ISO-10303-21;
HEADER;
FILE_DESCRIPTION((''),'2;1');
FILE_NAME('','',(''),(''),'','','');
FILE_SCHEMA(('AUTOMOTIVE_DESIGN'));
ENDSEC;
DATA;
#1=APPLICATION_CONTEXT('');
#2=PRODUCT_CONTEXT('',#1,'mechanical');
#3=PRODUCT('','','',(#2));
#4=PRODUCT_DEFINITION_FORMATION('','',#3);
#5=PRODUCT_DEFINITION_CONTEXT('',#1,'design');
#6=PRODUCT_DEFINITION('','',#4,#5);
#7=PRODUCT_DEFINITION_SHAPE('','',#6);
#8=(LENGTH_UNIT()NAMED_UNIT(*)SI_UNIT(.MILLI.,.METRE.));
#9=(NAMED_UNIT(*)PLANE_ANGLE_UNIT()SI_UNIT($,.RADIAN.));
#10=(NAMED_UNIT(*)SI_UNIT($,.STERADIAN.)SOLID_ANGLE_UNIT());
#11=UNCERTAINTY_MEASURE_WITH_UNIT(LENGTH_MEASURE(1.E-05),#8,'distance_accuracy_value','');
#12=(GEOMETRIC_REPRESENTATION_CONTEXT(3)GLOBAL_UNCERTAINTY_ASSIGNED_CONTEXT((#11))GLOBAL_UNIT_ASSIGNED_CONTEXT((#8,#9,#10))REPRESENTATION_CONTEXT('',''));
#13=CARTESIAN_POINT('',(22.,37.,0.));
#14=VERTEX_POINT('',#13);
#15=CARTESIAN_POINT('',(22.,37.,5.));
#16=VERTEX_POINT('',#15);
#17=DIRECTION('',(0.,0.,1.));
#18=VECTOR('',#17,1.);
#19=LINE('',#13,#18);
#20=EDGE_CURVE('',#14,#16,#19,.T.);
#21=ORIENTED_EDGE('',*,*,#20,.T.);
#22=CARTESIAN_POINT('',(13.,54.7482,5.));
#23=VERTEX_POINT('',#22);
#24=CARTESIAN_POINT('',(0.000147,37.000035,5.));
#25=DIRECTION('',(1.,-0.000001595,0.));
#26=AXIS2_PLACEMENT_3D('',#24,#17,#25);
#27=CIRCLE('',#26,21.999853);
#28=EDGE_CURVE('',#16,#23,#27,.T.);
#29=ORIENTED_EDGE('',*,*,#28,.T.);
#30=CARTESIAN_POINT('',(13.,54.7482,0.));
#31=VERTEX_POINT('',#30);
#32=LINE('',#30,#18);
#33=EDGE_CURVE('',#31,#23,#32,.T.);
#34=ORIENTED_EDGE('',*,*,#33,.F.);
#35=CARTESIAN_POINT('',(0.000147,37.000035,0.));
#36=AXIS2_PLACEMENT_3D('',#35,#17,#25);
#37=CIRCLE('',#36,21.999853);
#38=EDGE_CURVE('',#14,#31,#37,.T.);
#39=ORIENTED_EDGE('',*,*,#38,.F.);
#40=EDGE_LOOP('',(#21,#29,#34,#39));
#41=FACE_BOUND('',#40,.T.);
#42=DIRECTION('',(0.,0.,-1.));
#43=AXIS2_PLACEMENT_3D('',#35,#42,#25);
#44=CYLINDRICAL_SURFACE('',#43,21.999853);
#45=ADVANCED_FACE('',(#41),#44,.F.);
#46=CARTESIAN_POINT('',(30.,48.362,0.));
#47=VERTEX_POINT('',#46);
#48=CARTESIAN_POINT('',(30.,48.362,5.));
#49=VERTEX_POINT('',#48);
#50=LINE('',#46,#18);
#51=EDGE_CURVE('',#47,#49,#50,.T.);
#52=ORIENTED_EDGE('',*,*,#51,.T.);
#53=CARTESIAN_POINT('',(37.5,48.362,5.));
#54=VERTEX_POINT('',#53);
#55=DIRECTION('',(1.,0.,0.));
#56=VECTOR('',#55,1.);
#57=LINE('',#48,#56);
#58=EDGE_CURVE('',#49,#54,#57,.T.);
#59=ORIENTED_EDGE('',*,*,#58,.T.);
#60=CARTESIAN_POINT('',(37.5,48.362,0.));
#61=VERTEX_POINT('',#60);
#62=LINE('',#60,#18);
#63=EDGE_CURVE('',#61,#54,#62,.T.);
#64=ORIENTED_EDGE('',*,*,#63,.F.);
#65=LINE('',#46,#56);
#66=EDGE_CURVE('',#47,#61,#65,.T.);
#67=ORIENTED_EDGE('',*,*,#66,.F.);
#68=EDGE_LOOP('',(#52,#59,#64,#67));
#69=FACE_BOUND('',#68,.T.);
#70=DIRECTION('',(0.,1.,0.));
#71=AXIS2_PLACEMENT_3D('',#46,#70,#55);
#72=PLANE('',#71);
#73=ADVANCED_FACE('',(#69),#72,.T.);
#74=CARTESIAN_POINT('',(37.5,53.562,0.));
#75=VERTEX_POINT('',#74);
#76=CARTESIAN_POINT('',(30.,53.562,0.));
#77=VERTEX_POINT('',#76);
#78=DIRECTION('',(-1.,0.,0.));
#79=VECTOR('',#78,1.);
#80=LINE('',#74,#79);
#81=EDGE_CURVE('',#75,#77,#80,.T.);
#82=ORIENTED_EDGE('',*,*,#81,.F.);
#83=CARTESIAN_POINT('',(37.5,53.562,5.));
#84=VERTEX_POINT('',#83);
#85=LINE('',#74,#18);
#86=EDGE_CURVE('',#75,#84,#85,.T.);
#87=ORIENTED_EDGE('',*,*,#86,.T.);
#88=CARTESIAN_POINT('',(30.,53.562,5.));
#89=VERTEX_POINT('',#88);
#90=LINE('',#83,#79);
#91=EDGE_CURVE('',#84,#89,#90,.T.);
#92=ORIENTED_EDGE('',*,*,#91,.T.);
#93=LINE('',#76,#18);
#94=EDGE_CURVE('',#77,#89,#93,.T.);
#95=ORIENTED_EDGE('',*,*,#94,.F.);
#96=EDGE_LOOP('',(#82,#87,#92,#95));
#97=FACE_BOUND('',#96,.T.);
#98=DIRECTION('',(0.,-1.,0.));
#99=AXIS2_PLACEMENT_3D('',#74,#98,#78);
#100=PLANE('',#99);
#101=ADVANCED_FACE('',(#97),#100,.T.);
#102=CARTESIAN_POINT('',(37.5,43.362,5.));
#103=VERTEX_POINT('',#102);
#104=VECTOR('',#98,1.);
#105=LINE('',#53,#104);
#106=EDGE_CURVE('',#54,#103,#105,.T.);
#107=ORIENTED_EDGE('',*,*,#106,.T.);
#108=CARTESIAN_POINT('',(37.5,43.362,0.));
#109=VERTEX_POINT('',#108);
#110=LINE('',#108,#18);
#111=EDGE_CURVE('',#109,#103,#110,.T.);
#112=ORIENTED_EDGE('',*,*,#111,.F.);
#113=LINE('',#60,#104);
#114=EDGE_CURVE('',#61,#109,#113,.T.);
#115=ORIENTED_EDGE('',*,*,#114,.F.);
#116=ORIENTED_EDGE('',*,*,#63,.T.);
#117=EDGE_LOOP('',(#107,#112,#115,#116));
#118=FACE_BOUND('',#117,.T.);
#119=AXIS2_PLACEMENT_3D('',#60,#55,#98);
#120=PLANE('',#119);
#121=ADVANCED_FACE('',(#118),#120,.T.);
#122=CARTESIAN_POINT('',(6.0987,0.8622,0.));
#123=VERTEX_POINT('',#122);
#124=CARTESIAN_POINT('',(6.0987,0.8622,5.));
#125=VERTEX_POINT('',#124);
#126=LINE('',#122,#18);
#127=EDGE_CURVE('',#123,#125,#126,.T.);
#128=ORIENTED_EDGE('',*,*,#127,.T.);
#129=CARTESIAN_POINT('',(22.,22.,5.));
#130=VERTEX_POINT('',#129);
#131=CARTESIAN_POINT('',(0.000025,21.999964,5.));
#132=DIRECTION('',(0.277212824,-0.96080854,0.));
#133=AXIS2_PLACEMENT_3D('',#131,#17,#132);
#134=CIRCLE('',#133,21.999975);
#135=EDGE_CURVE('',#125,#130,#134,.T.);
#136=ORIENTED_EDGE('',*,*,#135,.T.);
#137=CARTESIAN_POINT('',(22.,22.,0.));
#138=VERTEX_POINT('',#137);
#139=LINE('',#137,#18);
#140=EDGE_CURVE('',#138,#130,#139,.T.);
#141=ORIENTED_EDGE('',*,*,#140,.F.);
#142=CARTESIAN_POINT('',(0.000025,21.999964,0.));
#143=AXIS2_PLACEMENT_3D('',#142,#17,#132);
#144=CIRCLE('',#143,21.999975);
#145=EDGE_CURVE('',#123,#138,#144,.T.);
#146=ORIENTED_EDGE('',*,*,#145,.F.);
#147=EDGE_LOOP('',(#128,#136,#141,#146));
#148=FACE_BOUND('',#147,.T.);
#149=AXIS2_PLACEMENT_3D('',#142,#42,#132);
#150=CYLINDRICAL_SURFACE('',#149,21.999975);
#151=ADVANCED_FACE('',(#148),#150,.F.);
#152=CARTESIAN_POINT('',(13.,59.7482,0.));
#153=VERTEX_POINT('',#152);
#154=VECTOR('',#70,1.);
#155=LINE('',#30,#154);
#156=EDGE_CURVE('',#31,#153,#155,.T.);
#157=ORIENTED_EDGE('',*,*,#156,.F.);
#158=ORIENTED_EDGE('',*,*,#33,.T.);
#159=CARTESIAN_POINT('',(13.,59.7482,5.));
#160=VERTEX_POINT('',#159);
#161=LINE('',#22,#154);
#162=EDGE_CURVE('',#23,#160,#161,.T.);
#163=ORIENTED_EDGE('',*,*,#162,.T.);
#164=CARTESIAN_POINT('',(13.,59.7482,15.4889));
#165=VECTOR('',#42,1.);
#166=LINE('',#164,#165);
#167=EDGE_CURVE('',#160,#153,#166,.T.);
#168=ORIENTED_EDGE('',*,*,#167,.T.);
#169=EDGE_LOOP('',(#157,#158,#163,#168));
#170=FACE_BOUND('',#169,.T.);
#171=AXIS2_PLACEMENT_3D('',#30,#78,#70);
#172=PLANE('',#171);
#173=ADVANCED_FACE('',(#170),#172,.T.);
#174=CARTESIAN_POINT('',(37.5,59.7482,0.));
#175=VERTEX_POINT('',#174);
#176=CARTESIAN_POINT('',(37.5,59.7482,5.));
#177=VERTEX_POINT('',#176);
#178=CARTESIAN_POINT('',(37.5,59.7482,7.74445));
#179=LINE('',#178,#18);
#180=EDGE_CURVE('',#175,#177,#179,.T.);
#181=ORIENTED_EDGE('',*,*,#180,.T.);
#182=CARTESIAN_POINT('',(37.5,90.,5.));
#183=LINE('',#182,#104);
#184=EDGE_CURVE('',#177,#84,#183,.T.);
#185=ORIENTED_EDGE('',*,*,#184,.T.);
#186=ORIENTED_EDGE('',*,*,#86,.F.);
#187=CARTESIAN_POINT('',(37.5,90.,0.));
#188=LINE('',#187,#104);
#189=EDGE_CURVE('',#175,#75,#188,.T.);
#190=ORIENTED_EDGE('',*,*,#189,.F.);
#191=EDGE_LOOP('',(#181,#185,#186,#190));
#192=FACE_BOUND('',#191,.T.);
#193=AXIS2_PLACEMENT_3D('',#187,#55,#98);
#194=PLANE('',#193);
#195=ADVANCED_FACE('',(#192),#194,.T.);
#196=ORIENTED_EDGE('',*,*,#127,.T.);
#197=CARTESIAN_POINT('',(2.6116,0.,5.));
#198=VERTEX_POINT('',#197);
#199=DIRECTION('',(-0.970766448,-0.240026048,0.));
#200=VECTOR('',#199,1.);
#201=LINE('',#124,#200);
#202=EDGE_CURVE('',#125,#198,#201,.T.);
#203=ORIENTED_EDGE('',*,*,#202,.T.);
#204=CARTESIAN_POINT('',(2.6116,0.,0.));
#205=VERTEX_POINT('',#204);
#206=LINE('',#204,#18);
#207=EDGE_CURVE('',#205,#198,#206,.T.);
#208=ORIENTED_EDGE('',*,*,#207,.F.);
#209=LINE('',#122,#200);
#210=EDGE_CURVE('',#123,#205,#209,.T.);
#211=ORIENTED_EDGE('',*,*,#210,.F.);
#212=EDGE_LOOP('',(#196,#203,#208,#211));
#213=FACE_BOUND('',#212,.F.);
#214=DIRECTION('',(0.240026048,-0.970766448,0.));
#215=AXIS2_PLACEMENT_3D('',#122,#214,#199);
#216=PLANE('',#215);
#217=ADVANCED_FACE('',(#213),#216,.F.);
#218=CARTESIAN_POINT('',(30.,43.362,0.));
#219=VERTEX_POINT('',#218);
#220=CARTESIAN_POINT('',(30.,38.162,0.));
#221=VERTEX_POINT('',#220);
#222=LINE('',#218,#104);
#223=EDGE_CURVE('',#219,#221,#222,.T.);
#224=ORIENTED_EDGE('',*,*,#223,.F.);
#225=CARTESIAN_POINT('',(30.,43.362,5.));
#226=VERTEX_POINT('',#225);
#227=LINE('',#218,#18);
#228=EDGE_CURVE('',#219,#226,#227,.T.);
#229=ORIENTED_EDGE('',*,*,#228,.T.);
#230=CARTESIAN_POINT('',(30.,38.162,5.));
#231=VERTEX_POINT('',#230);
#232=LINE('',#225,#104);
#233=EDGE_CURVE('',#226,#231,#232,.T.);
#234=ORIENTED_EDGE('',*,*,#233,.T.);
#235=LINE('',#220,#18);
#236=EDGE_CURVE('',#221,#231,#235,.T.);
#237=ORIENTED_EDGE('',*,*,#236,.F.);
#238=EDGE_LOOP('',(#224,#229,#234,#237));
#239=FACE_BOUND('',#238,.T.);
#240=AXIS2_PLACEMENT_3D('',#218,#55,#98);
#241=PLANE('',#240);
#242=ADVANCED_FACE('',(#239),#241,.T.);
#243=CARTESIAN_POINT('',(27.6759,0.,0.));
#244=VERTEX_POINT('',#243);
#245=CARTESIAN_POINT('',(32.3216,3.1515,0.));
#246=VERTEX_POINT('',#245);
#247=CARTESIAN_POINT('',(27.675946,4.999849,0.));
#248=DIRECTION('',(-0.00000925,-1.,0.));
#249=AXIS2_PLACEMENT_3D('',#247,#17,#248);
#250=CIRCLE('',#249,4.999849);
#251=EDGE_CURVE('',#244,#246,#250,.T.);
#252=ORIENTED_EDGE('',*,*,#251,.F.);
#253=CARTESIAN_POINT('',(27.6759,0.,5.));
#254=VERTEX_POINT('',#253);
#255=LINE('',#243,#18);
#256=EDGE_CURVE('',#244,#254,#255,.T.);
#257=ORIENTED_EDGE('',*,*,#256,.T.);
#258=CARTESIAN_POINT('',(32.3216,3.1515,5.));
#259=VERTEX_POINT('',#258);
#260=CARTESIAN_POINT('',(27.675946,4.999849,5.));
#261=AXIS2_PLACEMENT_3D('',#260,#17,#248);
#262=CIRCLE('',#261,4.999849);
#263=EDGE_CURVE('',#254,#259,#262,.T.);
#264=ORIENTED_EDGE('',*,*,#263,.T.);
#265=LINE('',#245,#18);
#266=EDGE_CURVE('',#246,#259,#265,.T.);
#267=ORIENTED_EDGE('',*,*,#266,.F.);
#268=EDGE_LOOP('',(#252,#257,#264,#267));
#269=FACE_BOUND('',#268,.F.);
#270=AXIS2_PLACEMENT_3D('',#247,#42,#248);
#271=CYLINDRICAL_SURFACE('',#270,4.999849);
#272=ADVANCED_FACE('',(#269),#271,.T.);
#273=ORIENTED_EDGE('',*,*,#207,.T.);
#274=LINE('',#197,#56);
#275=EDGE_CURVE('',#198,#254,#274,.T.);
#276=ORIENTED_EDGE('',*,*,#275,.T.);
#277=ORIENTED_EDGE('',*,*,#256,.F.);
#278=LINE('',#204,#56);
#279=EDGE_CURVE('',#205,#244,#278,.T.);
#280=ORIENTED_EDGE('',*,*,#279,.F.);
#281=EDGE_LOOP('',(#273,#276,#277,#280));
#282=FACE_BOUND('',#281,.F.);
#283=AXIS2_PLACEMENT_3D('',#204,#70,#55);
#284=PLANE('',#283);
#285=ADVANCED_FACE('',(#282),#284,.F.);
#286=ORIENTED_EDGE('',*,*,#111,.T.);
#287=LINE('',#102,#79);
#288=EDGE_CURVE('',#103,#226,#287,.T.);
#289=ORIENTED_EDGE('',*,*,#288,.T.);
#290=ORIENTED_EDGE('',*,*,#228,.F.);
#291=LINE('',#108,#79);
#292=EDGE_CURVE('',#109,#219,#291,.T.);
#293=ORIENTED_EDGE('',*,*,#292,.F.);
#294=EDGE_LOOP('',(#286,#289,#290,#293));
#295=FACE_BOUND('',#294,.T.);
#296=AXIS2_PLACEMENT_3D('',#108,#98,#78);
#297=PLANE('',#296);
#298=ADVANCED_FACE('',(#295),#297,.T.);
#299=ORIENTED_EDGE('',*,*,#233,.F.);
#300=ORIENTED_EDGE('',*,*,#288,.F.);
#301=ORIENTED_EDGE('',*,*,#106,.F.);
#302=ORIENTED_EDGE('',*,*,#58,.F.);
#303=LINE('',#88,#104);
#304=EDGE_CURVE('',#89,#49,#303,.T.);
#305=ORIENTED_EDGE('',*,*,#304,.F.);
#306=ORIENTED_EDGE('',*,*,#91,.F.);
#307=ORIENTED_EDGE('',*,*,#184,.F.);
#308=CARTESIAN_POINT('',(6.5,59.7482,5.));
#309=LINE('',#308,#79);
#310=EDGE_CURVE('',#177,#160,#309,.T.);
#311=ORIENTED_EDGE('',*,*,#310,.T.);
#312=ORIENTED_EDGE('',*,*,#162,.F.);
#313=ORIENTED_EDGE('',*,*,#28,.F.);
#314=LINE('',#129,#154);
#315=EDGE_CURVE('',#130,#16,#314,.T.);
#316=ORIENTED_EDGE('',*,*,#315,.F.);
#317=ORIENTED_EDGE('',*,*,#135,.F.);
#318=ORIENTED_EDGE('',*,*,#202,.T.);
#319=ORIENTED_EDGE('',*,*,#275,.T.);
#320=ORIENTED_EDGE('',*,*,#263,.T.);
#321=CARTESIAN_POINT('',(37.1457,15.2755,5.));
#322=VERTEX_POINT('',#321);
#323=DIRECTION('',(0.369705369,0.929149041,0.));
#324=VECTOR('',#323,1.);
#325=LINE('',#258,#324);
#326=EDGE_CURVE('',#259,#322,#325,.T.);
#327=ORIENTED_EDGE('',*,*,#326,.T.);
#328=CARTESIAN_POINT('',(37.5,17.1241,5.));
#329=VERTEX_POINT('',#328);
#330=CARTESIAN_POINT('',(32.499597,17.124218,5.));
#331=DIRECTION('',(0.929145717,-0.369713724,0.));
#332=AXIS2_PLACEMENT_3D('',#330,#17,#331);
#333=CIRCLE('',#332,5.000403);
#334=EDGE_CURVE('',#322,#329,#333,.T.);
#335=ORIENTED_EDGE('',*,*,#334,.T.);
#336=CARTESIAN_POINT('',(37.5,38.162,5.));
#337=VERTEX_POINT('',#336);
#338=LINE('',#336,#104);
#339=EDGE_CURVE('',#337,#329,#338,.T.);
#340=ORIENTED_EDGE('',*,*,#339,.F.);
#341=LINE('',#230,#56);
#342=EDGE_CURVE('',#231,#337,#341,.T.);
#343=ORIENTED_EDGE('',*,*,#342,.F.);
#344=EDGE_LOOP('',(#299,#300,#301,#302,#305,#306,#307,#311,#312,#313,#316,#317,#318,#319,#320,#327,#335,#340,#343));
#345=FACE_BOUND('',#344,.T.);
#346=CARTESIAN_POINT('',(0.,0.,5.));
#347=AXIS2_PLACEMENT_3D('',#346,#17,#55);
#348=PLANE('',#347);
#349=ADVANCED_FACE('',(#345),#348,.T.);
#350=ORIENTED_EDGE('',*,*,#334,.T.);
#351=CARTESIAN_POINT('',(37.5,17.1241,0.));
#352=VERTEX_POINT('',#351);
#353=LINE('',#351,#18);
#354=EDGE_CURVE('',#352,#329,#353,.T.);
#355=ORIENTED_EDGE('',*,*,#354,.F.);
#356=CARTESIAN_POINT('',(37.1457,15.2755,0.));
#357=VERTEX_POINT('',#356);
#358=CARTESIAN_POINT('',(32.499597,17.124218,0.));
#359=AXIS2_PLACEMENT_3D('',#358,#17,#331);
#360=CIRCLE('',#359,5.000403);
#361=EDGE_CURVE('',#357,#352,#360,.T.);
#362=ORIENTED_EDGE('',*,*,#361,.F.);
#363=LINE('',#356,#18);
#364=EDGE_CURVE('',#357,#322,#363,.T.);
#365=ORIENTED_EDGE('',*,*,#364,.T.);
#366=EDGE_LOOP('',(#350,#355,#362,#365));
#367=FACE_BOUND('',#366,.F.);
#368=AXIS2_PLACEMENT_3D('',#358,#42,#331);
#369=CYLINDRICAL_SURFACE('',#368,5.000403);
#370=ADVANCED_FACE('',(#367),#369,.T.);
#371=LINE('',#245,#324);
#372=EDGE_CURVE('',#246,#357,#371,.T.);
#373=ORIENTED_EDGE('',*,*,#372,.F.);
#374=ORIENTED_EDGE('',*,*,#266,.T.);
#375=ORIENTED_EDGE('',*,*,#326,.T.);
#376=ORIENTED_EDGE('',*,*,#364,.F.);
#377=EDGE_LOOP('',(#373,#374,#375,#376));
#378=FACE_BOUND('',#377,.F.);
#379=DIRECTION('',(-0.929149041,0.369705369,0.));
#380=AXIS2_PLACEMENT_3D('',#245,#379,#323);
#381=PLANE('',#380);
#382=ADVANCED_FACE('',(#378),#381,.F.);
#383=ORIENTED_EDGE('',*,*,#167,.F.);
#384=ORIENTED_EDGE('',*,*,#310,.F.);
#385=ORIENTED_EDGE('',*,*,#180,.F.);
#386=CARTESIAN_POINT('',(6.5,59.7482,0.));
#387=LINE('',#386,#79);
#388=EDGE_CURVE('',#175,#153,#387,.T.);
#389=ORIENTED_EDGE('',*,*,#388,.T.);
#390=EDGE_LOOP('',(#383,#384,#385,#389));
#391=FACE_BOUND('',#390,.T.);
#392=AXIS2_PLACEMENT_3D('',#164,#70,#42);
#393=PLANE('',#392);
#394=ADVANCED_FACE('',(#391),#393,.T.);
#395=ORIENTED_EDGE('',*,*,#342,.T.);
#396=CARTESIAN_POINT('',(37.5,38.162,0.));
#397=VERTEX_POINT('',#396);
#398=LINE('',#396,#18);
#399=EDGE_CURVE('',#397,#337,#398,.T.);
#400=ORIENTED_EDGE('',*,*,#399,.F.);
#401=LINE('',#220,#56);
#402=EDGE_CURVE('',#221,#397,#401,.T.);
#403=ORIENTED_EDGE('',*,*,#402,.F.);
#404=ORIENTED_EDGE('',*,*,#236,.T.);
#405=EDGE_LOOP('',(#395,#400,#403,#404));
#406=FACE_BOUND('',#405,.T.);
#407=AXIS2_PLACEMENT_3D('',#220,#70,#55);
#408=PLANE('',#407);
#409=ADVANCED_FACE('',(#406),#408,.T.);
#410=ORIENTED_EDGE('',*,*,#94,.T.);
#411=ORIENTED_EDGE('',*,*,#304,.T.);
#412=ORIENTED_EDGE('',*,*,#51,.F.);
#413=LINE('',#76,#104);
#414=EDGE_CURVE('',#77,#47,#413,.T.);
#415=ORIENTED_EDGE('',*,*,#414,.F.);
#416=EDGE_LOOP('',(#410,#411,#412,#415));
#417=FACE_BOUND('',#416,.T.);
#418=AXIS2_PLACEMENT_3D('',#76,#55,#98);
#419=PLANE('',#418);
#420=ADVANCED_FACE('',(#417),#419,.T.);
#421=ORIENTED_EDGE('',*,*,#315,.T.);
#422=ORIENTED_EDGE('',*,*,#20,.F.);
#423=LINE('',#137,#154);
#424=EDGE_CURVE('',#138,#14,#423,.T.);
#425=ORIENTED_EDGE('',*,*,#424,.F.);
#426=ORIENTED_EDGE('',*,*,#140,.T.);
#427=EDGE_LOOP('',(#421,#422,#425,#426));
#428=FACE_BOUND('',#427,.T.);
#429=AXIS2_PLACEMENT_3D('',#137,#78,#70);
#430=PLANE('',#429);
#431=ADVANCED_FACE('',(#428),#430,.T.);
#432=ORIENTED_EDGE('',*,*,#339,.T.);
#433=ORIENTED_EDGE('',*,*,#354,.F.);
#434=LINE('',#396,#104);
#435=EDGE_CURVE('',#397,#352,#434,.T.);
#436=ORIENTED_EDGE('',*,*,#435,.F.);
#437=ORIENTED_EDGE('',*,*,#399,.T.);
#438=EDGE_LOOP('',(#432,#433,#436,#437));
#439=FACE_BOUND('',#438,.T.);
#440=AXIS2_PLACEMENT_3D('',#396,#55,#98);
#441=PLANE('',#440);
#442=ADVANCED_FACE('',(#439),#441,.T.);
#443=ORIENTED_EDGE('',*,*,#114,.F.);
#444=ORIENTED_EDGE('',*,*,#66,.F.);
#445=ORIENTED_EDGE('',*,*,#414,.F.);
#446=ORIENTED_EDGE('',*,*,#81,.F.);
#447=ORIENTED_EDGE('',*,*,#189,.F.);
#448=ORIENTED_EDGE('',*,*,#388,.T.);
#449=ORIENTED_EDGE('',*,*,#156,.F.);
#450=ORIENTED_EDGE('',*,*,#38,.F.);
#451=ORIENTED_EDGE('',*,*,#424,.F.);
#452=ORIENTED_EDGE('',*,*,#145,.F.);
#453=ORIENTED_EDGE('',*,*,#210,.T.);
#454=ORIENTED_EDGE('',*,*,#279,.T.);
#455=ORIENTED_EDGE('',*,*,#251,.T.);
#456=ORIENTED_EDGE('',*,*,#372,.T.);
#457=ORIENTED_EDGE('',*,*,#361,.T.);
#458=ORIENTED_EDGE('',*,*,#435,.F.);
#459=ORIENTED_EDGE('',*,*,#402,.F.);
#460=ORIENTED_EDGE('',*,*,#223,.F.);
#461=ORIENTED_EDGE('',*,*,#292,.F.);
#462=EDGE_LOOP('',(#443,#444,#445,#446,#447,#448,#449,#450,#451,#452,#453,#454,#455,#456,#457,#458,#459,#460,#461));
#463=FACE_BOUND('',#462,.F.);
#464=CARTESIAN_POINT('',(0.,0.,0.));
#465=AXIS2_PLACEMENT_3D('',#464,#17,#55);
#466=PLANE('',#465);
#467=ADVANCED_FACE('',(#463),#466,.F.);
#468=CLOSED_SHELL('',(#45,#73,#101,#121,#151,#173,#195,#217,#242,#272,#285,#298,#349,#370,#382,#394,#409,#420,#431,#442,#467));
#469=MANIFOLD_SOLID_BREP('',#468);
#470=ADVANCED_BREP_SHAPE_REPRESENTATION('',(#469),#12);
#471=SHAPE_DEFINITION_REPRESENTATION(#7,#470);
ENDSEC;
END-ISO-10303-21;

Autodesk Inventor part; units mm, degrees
ref_plane "YZ Plane" through (0, 0, 0) normal (1, 0, 0) x (0, 1, 0)
ref_plane "XZ Plane" through (0, 0, 0) normal (0, 1, 0) x (-1, 0, 0)
ref_plane "XY Plane" through (0, 0, 0) normal (0, 0, 1) x (1, 0, 0)
sketch "Sketch1" plane through (0, 0, 0) normal (0, 0, 1) x (1, 0, 0)
  arc A0 (6.0987, 0.8622) -> (22, 22) centre (0, 22) ccw
  line L0 (22, 22) -> (22, 37)
  arc A1 (22, 37) -> (13, 54.7482) centre (0, 37) ccw
  line L1 (13, 54.7482) -> (13, 66.7482)
  line L2 (22.5, 90) -> (22.5, 66.7482)
  line L3 (22.5, 90) -> (37.5, 90)
  line L4 (13, 66.7482) -> (22.5, 66.7482)
  line L5 (2.6116, 0) -> (27.6759, 0)
  line L6 (32.3216, 3.1515) -> (37.1457, 15.2755)
  arc A2 (37.1457, 15.2755) -> (37.5, 17.1241) centre (32.5, 17.1241) ccw
  arc A3 (27.6759, 0) -> (32.3216, 3.1515) centre (27.6759, 5) ccw
  line L7 (37.5, 53.562) -> (30, 53.562)
  line L8 (30, 53.562) -> (30, 48.362)
  line L9 (30, 48.362) -> (37.5, 48.362)
  line L10 (37.5, 43.362) -> (30, 43.362)
  line L11 (30, 43.362) -> (30, 38.162)
  line L12 (30, 38.162) -> (37.5, 38.162)
  line L13 (37.5, 90) -> (37.5, 53.562)
  line L14 (37.5, 48.362) -> (37.5, 43.362)
  line L15 (37.5, 38.162) -> (37.5, 17.1241)
  line L16 (6.0987, 0.8622) -> (2.6116, 0)
  point P0 (0, 0)
  dimension "d0" = 22
  dimension "d1" = 90
  dimension "d2" = 0
  dimension "d3" = 15
  dimension "d4" = 0
  dimension "d5" = 13
  dimension "d6" = 22
  dimension "d7" = 12
  dimension "d8" = 22.5
  dimension "d10" = 90
  dimension "d11" = 37
  dimension "d12" = 5
  dimension "d13" = 12.1241
  dimension "d14" = 5.2
  dimension "d15" = 5.2
  dimension "d16" = 5
sketch "Sketch2" plane through (0, 0, 0) normal (0, 0, 1) x (1, 0, 0)
  point P0 (0, 0)
extrude "Extrusion1" add sketch "Sketch1" along normal blind 5
sketch "Sketch3" plane through (0, 0, 5) normal (0, 0, 1) x (1, 0, 0)
  line L0 (22.5, 90) -> (22.5, 66.7482) projected
  line L1 (37.5, 90) -> (22.5, 90) projected
  point P0 (0, 0)
  point P1 (30, 86.5)
  point P2 (30, 68.5)
  dimension "d20" = 18
  dimension "d21" = 7.5
  dimension "d22" = 7.5
  dimension "d23" = 3.5
hole "Hole1" at (30, 86.5, 5) at (30, 68.5, 5) direction (0, 0, -1) diameter 3.4 end through all
sketch "Sketch4" plane through (22.5, 66.7482, 0) normal (-1, 0, 0) x (0, 0, 1)
  line L0 (-7.9102, 0) -> (13.3435, 0)
  line L1 (13.3435, 0) -> (13.3435, 24.2425)
  line L2 (13.3435, 24.2425) -> (-7.9102, 24.2425)
  line L3 (-7.9102, 24.2425) -> (-7.9102, 0)
  line L4 (0, 0) -> (5, 0) projected
  point P0 (0, -66.7482)
  dimension "d31" = 0
extrude "Extrusion2" cut sketch "Sketch4" against normal blind 15
sketch "Sketch5" plane through (13, 54.7482, 0) normal (-1, 0, 0) x (0, 0, 1)
  line L0 (-8.9151, 14.3214) -> (15.4889, 14.3214)
  line L1 (15.4889, 14.3214) -> (15.4889, 5)
  line L2 (15.4889, 5) -> (-8.9151, 5)
  line L3 (-8.9151, 5) -> (-8.9151, 14.3214)
  line L4 (0, 12) -> (5, 12) projected
  point P0 (0, -54.7482)
  dimension "d34" = 7
extrude "Extrusion3" cut sketch "Sketch5" against normal blind 40
properties part number "Finger"
